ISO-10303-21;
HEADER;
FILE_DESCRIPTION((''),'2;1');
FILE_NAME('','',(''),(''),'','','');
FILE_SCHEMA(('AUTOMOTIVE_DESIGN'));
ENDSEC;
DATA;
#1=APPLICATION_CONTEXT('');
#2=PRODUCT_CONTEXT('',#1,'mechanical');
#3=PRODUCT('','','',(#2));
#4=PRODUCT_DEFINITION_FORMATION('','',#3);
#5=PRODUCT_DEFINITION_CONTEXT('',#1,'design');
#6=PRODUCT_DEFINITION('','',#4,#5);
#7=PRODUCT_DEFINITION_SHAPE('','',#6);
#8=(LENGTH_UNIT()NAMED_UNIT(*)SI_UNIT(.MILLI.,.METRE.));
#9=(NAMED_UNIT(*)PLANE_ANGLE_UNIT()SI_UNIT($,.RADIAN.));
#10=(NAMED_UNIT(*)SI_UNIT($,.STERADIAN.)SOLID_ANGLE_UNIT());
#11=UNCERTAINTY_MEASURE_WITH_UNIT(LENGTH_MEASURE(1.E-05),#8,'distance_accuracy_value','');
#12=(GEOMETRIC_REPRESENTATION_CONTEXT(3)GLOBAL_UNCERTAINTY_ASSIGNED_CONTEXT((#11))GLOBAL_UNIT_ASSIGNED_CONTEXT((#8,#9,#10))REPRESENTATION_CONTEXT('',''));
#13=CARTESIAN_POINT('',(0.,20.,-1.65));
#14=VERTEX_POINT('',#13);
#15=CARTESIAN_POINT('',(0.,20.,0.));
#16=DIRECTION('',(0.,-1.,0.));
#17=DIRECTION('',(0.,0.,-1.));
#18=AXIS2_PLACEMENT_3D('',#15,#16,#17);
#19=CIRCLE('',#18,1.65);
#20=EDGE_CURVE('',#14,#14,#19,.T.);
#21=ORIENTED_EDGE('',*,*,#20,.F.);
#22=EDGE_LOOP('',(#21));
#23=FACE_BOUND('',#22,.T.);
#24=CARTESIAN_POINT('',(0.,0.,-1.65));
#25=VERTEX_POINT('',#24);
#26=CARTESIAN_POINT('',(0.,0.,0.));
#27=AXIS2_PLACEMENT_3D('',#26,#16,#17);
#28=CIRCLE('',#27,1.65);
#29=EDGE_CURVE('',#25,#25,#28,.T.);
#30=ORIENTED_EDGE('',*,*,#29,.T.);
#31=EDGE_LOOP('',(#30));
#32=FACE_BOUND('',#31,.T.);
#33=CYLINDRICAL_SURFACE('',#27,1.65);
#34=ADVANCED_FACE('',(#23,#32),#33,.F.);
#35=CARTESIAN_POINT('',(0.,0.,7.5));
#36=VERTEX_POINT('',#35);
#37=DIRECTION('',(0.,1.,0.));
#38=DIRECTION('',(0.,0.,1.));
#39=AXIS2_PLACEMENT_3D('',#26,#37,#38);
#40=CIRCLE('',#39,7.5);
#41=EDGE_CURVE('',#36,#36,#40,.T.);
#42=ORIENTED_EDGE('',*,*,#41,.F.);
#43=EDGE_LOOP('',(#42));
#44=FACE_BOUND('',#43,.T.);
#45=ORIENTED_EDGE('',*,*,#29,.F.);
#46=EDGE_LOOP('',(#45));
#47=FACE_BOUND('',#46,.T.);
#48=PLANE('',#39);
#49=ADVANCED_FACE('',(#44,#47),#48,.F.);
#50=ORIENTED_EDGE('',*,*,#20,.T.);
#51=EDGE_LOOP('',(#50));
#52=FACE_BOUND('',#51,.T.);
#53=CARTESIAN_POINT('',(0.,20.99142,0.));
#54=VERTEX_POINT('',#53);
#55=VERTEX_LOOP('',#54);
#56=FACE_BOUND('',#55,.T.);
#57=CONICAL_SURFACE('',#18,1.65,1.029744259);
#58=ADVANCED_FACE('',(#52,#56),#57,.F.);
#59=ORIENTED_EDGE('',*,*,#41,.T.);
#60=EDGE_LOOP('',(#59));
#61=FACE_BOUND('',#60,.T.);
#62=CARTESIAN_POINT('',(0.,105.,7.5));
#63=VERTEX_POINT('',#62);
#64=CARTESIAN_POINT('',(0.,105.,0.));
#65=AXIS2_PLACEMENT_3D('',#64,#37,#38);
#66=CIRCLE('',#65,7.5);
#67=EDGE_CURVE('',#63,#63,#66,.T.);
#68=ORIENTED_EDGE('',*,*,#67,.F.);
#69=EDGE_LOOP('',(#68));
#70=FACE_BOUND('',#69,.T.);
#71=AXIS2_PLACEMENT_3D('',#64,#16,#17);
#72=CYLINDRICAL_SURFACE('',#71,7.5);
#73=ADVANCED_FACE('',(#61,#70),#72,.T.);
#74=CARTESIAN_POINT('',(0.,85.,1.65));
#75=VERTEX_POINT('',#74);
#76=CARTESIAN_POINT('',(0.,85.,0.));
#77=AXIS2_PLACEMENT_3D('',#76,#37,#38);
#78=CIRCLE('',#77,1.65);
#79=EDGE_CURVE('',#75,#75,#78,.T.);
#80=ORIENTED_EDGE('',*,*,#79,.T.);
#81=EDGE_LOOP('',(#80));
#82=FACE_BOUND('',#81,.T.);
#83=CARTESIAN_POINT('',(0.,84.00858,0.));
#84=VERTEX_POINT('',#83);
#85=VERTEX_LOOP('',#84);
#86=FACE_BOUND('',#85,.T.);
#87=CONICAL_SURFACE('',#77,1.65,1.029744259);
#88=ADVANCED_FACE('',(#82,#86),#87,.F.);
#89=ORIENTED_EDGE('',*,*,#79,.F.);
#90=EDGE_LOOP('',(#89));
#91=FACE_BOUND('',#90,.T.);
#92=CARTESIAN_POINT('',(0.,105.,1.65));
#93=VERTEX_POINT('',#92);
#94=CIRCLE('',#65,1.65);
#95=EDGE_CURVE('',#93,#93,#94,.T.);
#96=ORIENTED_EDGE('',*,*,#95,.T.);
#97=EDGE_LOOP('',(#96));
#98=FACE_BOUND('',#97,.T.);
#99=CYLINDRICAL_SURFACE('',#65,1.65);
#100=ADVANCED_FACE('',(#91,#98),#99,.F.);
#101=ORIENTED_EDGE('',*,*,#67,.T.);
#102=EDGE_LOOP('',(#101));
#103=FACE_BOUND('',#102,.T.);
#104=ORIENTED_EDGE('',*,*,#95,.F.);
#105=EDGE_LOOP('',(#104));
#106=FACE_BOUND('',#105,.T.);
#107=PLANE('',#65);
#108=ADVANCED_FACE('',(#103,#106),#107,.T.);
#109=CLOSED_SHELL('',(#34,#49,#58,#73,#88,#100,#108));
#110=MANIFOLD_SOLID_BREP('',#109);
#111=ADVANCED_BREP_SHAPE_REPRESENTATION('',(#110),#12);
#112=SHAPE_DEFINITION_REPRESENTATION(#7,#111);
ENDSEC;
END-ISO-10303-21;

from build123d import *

# Parameters (mm, degrees)
SKETCH_1_R      = 7.5
EXTRUDE_1_DEPTH = 105


with BuildPart() as part:
    # ｽｹｯﾁ1 → ﾎﾞｽ - 押し出し1 (new body)
    with BuildSketch(Plane(origin=(0, 0, 0), x_dir=(1, 0, 0), z_dir=(0, 1, 0))):
        with Locations(Location((0, 0, 0), (0, 0, 270))):
            Circle(SKETCH_1_R)
    extrude(amount=EXTRUDE_1_DEPTH)

    # ｽｹｯﾁ3 → M4x0.7 ねじ穴1 (revolve, cut)
    with BuildSketch(Plane(origin=(0, 105, 0), x_dir=(0, 0, 1), z_dir=(1, 0, 0))):
        Polygon((0, 0), (0, 20.991420021), (1.65, 20), (1.65, 0), align=None)
    m4x0_7_1 = revolve(axis=Axis((0, 111.35, 0), (0, -1, 0)), mode=Mode.SUBTRACT)

    # ﾐﾗｰ1: M4x0.7 ねじ穴1 across plane
    add(m4x0_7_1.mirror(Plane.ZX.offset(52.5)), mode=Mode.SUBTRACT)


solid = part.part
